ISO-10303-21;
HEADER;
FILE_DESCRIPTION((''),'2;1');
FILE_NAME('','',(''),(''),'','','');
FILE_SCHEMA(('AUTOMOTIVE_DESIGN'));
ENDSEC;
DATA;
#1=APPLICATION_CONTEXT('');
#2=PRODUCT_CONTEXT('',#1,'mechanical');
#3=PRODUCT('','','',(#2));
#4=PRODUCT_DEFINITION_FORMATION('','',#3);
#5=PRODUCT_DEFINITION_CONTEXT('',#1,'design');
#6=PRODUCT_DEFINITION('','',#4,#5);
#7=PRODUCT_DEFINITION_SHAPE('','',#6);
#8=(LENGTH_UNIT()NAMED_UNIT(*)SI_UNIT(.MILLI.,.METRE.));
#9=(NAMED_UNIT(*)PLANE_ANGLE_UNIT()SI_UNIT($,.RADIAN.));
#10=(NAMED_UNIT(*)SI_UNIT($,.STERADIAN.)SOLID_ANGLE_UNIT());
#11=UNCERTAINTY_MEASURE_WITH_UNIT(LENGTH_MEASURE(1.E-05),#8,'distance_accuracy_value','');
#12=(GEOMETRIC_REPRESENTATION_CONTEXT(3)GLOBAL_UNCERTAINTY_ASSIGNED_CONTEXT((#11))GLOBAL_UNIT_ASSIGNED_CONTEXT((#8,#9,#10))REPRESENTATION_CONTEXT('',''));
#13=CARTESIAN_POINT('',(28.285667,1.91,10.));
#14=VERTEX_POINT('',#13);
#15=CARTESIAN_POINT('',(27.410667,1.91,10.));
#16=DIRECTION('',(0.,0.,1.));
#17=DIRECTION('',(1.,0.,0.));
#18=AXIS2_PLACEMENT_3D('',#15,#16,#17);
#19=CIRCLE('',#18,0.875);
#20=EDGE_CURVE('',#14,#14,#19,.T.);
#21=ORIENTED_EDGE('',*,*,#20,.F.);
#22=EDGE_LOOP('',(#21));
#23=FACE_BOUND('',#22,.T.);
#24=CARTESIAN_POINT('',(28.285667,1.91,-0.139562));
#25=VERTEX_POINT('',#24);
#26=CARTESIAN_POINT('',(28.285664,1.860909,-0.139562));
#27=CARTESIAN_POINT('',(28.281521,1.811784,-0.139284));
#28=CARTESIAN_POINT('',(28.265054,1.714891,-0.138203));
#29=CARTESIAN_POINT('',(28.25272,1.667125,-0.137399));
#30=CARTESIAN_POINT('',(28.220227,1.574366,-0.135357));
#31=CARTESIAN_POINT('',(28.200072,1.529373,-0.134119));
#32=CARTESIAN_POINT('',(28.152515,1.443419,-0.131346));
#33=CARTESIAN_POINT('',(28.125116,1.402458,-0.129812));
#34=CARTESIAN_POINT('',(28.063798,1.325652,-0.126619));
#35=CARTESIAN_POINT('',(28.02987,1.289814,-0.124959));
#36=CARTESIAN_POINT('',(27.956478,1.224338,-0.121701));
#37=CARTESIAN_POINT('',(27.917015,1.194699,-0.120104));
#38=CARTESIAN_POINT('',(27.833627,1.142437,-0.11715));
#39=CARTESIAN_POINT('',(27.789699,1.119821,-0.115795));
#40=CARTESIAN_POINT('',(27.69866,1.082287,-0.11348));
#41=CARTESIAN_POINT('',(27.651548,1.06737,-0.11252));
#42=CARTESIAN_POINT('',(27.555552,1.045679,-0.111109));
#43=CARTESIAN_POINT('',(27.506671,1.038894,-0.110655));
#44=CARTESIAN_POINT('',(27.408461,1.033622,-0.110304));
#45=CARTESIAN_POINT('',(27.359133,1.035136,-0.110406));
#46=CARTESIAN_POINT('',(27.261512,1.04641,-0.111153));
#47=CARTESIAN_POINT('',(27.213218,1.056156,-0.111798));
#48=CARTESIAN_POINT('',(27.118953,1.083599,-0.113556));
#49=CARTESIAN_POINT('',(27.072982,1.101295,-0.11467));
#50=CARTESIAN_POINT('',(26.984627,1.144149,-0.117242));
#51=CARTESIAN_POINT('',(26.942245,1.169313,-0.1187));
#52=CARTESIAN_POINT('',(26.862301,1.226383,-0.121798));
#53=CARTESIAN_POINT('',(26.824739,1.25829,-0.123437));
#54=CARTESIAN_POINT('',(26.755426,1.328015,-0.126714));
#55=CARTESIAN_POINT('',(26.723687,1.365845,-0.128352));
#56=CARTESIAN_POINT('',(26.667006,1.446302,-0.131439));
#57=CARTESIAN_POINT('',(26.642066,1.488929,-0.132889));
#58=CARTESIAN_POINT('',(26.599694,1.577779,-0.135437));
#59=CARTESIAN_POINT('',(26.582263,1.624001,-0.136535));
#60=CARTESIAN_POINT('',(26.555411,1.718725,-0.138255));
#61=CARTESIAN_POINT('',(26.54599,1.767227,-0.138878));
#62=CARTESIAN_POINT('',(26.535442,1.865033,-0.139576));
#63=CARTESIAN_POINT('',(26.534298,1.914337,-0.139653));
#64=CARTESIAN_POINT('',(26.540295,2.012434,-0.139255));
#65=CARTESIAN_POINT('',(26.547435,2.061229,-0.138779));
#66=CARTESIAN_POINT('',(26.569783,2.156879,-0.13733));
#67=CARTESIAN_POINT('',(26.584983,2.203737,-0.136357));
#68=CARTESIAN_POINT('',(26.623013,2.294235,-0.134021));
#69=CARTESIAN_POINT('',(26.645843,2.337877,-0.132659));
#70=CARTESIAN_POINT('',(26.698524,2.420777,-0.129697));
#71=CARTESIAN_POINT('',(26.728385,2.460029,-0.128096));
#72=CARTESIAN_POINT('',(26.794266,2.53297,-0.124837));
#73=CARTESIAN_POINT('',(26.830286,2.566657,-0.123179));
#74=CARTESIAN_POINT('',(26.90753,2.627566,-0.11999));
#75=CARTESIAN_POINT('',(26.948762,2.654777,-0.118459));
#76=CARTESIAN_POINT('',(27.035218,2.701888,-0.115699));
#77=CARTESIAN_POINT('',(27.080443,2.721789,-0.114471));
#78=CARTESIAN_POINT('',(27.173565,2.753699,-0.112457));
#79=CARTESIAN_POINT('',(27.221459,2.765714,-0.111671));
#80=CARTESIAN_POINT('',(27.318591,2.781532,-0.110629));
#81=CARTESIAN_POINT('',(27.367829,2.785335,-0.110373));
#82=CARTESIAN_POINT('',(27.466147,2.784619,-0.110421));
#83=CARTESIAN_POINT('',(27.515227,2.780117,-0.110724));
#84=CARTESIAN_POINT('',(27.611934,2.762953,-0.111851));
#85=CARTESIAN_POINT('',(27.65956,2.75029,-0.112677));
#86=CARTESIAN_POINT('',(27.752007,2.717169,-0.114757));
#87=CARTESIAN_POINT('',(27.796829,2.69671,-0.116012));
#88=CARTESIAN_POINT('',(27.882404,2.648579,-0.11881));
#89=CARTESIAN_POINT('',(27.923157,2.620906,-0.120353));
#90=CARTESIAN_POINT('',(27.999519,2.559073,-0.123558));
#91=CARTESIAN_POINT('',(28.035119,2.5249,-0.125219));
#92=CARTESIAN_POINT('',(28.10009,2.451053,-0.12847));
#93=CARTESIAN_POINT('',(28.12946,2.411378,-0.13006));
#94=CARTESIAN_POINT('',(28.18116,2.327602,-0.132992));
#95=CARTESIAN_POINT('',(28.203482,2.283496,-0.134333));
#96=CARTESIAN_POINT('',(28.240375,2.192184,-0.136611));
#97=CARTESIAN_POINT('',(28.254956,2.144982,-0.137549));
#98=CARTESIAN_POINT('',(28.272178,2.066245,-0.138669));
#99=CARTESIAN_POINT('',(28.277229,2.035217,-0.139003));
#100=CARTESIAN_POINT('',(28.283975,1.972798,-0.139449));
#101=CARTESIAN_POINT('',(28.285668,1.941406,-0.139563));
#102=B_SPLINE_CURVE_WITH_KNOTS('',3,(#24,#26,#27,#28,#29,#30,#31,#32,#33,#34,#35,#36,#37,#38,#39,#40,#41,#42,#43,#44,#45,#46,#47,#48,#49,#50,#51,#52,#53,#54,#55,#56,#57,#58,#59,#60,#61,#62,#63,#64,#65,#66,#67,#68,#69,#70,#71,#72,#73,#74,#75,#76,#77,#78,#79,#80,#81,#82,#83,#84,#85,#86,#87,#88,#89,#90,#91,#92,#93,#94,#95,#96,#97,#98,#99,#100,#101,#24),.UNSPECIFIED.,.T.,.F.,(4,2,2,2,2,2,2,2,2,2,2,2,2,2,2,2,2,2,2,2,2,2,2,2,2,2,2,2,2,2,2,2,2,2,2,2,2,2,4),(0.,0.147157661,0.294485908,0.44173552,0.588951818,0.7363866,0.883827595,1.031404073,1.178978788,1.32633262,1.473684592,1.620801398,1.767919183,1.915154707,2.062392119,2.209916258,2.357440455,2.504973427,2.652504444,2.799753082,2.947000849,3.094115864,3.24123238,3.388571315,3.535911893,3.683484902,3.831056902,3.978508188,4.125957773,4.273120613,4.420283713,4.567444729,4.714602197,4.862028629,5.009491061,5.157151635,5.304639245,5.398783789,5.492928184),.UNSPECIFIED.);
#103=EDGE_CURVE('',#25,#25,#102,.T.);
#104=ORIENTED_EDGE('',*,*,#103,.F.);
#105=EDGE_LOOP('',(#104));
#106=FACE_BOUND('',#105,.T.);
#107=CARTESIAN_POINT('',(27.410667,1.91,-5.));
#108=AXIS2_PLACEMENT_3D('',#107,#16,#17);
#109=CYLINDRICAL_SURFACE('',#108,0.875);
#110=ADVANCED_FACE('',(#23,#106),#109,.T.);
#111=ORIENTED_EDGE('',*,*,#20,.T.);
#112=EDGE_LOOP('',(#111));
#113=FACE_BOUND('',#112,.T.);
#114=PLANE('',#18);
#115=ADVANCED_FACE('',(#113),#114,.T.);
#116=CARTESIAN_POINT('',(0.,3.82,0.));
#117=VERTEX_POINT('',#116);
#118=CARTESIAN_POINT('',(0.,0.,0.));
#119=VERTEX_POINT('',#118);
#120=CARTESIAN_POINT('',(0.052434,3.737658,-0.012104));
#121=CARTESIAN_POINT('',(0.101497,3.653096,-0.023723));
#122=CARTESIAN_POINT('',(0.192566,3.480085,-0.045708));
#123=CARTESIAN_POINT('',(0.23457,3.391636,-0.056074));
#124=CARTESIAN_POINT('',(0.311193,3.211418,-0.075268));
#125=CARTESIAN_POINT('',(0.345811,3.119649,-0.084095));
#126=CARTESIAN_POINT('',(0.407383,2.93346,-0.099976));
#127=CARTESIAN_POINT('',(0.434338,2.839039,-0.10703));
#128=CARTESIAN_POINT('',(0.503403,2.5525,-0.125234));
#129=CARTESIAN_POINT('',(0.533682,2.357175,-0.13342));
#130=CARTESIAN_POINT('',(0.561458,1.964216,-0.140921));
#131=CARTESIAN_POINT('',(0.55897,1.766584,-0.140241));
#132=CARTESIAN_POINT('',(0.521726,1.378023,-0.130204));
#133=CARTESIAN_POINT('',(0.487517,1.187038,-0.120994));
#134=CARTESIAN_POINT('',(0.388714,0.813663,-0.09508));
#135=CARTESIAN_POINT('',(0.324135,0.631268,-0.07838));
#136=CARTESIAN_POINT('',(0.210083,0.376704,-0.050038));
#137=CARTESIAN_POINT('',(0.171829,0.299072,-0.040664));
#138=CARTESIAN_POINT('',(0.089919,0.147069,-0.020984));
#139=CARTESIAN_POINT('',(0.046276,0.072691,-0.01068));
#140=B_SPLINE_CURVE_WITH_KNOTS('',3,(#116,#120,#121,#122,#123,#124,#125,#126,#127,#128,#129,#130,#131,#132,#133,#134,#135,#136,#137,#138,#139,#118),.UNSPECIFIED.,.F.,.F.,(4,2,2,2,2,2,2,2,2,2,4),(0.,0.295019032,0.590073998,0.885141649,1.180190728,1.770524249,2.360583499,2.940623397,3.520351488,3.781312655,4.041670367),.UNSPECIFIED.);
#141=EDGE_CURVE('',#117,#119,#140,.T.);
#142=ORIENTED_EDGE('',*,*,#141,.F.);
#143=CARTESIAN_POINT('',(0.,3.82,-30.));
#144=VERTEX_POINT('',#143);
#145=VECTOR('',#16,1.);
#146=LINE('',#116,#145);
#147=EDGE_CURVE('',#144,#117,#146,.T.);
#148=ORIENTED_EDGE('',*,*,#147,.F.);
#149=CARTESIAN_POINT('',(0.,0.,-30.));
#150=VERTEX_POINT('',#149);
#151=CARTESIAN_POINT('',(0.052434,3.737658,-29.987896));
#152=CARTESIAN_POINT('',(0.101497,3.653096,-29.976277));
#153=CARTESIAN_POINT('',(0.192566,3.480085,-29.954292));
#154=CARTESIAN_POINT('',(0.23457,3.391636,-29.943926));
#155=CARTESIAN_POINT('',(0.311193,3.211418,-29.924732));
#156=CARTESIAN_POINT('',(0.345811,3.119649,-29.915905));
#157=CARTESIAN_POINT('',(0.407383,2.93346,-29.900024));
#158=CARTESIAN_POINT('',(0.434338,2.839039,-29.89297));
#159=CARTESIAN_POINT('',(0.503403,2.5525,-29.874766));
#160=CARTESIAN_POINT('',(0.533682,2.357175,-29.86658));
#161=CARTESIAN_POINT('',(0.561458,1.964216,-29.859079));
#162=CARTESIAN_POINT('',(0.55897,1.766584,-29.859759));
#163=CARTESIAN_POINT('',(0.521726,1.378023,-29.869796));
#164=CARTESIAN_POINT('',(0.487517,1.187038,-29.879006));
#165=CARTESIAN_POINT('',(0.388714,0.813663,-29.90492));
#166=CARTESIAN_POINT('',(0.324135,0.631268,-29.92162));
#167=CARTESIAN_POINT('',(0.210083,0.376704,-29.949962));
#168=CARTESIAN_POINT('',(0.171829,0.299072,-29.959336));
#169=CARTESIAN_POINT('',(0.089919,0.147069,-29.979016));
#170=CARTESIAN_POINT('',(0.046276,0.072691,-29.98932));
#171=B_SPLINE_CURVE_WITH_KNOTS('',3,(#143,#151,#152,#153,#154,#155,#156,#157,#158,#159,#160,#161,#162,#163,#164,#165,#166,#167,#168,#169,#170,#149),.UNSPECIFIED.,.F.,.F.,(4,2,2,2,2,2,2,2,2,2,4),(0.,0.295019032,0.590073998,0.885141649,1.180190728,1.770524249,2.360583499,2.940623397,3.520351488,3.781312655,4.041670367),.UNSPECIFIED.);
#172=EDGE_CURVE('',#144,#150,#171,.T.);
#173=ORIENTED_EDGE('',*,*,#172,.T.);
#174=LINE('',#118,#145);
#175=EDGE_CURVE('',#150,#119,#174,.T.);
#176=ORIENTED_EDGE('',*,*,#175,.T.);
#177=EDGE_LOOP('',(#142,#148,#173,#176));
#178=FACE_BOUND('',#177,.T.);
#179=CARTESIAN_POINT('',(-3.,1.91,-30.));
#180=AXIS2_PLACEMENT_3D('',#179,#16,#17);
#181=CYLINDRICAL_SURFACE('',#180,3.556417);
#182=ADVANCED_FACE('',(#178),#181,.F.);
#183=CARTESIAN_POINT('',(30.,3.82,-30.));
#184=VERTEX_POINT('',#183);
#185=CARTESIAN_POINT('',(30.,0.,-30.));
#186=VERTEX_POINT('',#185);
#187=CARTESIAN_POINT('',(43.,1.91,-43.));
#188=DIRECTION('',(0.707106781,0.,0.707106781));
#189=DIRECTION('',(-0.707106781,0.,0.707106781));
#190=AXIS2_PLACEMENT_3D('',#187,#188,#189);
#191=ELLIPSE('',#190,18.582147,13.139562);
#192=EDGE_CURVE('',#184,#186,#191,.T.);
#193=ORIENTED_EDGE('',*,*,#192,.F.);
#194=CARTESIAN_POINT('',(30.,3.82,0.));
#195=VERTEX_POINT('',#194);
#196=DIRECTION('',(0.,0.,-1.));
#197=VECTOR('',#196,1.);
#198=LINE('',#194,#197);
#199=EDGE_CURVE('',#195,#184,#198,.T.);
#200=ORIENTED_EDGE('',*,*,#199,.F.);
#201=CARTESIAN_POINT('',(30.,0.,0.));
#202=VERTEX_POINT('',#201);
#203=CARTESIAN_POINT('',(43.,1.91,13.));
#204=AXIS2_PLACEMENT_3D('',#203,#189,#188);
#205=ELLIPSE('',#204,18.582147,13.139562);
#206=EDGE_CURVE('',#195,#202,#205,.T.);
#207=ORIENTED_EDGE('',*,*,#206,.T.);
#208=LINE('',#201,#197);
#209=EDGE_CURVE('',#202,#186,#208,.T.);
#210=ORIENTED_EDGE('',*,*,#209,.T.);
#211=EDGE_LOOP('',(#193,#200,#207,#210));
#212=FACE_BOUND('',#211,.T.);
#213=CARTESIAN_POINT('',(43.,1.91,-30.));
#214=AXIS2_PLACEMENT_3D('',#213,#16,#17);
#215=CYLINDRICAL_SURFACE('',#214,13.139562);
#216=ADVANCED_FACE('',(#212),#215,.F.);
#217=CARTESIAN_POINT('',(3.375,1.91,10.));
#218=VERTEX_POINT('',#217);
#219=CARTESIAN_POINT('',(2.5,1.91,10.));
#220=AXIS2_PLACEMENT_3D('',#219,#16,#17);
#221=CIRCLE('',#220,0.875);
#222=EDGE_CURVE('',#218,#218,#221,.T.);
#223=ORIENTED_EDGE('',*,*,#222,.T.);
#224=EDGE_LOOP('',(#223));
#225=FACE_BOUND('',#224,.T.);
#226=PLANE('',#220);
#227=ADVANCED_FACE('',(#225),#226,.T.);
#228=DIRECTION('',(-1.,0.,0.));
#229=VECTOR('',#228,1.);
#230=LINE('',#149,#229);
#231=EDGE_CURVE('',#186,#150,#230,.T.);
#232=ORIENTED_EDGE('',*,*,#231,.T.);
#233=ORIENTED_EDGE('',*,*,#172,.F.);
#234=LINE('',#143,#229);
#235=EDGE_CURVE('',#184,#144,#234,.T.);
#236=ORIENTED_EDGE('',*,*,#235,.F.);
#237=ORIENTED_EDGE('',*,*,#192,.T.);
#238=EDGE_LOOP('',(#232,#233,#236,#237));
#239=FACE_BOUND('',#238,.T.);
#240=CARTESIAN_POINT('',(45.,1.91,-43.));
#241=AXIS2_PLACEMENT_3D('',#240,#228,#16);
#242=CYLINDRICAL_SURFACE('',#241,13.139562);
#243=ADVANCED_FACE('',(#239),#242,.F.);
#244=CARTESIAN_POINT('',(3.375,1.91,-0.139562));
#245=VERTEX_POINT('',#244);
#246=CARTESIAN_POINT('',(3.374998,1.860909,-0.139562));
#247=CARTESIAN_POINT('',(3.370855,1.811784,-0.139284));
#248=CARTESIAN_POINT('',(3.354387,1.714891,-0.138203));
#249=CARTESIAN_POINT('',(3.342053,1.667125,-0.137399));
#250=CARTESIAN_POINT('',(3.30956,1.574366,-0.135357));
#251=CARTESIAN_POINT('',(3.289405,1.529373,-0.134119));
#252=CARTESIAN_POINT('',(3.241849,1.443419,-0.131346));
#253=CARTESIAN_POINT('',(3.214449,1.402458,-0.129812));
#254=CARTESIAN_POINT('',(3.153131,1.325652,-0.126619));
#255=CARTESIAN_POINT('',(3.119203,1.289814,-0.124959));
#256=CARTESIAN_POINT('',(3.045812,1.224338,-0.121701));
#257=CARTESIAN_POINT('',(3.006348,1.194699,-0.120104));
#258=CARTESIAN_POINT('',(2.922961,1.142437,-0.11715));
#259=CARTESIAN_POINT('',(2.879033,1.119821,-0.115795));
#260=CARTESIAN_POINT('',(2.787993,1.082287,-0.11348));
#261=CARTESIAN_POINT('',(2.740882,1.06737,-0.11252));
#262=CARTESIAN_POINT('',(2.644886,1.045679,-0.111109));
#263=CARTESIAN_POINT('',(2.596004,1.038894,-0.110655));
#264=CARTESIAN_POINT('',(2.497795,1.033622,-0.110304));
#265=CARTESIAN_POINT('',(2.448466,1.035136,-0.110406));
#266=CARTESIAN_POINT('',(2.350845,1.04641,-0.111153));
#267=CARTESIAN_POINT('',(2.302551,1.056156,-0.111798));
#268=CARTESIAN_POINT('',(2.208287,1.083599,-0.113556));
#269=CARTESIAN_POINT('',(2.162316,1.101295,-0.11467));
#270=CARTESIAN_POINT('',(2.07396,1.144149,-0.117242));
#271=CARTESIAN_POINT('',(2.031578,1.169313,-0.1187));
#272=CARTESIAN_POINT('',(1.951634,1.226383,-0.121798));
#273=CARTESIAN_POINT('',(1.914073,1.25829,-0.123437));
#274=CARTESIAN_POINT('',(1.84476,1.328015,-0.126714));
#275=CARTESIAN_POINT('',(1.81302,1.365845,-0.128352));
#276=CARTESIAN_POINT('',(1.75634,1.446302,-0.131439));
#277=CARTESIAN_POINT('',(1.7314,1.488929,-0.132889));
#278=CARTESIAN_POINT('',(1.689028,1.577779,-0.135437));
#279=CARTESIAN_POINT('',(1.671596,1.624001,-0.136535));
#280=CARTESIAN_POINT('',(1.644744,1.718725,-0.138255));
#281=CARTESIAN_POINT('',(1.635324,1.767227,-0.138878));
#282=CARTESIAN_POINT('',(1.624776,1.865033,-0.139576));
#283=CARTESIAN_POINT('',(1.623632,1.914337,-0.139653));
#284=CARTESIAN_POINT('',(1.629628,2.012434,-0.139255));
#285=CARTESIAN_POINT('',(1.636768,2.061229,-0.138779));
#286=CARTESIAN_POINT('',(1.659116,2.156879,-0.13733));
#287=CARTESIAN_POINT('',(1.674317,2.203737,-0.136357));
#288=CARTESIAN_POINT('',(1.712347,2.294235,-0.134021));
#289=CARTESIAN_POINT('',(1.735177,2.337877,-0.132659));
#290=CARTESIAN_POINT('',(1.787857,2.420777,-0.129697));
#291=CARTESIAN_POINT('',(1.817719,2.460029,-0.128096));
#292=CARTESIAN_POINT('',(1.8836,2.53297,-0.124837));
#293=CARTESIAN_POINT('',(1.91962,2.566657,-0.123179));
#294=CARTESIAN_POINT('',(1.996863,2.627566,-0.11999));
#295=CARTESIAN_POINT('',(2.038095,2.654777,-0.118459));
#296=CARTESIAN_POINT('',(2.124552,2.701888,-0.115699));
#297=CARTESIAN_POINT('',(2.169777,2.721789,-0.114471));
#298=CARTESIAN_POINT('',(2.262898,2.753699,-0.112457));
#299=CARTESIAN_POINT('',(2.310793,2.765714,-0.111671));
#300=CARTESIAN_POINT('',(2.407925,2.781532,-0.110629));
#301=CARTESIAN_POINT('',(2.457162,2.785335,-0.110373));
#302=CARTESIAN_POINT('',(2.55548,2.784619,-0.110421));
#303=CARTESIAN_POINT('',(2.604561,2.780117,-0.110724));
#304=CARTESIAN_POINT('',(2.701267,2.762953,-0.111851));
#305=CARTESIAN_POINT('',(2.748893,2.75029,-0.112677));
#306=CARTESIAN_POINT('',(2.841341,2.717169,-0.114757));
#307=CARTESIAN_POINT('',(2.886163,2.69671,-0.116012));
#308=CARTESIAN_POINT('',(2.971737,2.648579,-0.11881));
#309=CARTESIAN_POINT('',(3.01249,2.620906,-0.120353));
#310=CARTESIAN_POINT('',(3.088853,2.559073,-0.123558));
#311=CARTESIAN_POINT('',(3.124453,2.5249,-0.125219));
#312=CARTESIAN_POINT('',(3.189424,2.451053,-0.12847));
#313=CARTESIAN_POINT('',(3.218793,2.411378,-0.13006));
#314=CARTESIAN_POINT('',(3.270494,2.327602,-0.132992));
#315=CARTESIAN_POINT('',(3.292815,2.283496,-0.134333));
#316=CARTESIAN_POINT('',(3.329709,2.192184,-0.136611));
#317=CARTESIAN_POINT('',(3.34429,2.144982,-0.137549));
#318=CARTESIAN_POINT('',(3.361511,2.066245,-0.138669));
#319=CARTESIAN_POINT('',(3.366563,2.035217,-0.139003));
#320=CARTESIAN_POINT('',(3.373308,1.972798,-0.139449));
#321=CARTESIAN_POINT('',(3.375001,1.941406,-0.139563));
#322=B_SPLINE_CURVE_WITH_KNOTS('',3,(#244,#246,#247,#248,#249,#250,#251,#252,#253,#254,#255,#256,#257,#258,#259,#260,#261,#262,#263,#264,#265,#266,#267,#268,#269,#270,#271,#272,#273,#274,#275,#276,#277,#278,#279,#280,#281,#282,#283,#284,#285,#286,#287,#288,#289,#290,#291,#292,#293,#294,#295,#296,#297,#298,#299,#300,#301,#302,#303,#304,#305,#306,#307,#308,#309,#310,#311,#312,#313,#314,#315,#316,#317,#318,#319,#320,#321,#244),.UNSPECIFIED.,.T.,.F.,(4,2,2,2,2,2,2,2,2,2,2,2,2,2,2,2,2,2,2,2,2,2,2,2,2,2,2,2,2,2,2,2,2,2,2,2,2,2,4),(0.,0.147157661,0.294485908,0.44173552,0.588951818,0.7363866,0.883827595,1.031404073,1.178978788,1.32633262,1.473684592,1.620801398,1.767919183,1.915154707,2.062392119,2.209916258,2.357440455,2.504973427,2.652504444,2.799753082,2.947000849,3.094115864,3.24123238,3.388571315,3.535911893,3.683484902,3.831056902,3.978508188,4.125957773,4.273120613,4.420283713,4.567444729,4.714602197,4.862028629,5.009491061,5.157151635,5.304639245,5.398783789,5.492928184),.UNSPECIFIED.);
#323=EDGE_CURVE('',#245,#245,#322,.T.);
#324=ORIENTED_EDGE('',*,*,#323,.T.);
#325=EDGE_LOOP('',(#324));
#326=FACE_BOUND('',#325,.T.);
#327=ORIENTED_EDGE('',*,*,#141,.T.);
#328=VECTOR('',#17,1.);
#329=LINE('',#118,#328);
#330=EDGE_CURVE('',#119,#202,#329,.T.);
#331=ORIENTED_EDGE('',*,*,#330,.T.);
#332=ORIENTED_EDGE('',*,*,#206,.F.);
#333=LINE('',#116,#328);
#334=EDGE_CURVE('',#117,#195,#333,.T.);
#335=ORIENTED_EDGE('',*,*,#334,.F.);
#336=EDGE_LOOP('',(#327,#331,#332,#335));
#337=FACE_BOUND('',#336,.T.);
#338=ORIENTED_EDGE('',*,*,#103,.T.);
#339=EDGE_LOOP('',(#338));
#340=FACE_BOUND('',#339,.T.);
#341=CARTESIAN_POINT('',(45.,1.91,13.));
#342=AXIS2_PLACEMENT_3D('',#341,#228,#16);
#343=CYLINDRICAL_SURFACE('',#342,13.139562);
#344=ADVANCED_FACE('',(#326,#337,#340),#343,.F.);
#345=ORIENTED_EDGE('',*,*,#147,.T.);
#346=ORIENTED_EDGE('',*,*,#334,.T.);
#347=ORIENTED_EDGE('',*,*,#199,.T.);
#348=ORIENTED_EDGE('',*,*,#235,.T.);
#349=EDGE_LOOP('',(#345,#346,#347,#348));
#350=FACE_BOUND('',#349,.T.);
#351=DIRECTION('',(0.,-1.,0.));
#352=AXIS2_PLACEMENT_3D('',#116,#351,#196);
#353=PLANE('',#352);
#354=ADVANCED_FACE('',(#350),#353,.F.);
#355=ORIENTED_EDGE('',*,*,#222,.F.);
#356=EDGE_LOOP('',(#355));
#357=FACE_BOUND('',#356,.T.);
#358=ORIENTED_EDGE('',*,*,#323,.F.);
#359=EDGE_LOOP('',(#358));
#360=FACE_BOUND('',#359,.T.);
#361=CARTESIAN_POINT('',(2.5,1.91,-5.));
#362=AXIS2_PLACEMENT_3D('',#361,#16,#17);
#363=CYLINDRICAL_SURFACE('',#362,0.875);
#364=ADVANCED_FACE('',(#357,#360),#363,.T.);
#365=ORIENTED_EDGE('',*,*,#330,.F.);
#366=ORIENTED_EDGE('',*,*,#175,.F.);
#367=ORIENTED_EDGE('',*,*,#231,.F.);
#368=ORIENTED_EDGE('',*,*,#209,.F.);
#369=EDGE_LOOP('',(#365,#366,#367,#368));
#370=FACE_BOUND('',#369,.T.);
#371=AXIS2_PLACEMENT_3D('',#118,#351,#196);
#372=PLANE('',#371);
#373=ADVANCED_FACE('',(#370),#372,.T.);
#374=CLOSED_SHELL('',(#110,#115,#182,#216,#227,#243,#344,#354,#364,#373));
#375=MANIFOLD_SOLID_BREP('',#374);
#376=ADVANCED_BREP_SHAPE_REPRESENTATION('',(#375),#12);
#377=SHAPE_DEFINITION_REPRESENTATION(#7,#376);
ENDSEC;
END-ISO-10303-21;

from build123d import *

# Parameters (mm, degrees)
SKETCH1_W                = 30
SKETCH1_H                = 30
BOSS_EXTRUDE1_DEPTH      = 3.82
CUT_EXTRUDE2_DEPTH       = 43.598032818
CUT_EXTRUDE5_DEPTH       = 45
BOSS_EXTRUDE2_DEPTH      = 10
BOSS_EXTRUDE2_DEPTH_BACK = 5
SKETCH4_R                = 0.875
BOSS_EXTRUDE3_DEPTH      = 10
BOSS_EXTRUDE3_DEPTH_BACK = 5
SKETCH5_R                = 0.875


with BuildPart() as part:
    # Sketch1 → Boss-Extrude1 (new body)
    with BuildSketch(Plane(origin=(0, 0, 0), x_dir=(1, 0, 0), z_dir=(0, 1, 0))):
        with Locations((15, 15)):
            Rectangle(SKETCH1_W, SKETCH1_H)
    extrude(amount=BOSS_EXTRUDE1_DEPTH)

    # Sketch2 → Cut-Extrude2 (cut, through all)
    with BuildSketch(Plane.XY):
        Polygon((-3, 1.91), (0, 1.91), (0, 3.82), align=None)
        with BuildLine():
            ThreePointArc((0, 3.82), (0.556416736, 1.91), (0, 0))
            Line((0, 0), (0, 3.82))
        make_face()
        Polygon((0, 0), (0, 1.91), (-3, 1.91), align=None)
        Polygon((30, 3.82), (30, 1.91), (43, 1.91), align=None)
        Polygon((43, 1.91), (30, 1.91), (30, 0), align=None)
        with BuildLine():
            ThreePointArc((30, 3.82), (29.860437602, 1.91), (30, 0))
            Line((30, 0), (30, 3.82))
        make_face()
    extrude(amount=-CUT_EXTRUDE2_DEPTH, mode=Mode.SUBTRACT)

    # Sketch3 → Cut-Extrude5 (cut)
    with BuildSketch(Plane(origin=(0, 0, 0), x_dir=(0, 0, -1), z_dir=(1, 0, 0))):
        with BuildLine():
            Line((30, 3.82), (43, 1.91))
            Line((43, 1.91), (30, 0))
            ThreePointArc((30, 0), (29.860437602, 1.91), (30, 3.82))
        make_face()
        with BuildLine():
            Line((0, 3.82), (-13, 1.91))
            Line((-13, 1.91), (0, 0))
            ThreePointArc((0, 0), (0.139562398, 1.91), (0, 3.82))
        make_face()
    extrude(amount=CUT_EXTRUDE5_DEPTH, mode=Mode.SUBTRACT)

    # Sketch4 → Boss-Extrude2 (add, two sides: drawn at the far end of the back side and taken through both)
    with BuildSketch(Plane.XY.offset(-BOSS_EXTRUDE2_DEPTH_BACK)):
        with Locations((2.5, 1.91)):
            Circle(SKETCH4_R)
    extrude(amount=BOSS_EXTRUDE2_DEPTH + BOSS_EXTRUDE2_DEPTH_BACK)

    # Sketch5 → Boss-Extrude3 (add, two sides: drawn at the far end of the back side and taken through both)
    with BuildSketch(Plane.XY.offset(-BOSS_EXTRUDE3_DEPTH_BACK)):
        with Locations((27.410666516, 1.91)):
            Circle(SKETCH5_R)
    extrude(amount=BOSS_EXTRUDE3_DEPTH + BOSS_EXTRUDE3_DEPTH_BACK)


solid = part.part
